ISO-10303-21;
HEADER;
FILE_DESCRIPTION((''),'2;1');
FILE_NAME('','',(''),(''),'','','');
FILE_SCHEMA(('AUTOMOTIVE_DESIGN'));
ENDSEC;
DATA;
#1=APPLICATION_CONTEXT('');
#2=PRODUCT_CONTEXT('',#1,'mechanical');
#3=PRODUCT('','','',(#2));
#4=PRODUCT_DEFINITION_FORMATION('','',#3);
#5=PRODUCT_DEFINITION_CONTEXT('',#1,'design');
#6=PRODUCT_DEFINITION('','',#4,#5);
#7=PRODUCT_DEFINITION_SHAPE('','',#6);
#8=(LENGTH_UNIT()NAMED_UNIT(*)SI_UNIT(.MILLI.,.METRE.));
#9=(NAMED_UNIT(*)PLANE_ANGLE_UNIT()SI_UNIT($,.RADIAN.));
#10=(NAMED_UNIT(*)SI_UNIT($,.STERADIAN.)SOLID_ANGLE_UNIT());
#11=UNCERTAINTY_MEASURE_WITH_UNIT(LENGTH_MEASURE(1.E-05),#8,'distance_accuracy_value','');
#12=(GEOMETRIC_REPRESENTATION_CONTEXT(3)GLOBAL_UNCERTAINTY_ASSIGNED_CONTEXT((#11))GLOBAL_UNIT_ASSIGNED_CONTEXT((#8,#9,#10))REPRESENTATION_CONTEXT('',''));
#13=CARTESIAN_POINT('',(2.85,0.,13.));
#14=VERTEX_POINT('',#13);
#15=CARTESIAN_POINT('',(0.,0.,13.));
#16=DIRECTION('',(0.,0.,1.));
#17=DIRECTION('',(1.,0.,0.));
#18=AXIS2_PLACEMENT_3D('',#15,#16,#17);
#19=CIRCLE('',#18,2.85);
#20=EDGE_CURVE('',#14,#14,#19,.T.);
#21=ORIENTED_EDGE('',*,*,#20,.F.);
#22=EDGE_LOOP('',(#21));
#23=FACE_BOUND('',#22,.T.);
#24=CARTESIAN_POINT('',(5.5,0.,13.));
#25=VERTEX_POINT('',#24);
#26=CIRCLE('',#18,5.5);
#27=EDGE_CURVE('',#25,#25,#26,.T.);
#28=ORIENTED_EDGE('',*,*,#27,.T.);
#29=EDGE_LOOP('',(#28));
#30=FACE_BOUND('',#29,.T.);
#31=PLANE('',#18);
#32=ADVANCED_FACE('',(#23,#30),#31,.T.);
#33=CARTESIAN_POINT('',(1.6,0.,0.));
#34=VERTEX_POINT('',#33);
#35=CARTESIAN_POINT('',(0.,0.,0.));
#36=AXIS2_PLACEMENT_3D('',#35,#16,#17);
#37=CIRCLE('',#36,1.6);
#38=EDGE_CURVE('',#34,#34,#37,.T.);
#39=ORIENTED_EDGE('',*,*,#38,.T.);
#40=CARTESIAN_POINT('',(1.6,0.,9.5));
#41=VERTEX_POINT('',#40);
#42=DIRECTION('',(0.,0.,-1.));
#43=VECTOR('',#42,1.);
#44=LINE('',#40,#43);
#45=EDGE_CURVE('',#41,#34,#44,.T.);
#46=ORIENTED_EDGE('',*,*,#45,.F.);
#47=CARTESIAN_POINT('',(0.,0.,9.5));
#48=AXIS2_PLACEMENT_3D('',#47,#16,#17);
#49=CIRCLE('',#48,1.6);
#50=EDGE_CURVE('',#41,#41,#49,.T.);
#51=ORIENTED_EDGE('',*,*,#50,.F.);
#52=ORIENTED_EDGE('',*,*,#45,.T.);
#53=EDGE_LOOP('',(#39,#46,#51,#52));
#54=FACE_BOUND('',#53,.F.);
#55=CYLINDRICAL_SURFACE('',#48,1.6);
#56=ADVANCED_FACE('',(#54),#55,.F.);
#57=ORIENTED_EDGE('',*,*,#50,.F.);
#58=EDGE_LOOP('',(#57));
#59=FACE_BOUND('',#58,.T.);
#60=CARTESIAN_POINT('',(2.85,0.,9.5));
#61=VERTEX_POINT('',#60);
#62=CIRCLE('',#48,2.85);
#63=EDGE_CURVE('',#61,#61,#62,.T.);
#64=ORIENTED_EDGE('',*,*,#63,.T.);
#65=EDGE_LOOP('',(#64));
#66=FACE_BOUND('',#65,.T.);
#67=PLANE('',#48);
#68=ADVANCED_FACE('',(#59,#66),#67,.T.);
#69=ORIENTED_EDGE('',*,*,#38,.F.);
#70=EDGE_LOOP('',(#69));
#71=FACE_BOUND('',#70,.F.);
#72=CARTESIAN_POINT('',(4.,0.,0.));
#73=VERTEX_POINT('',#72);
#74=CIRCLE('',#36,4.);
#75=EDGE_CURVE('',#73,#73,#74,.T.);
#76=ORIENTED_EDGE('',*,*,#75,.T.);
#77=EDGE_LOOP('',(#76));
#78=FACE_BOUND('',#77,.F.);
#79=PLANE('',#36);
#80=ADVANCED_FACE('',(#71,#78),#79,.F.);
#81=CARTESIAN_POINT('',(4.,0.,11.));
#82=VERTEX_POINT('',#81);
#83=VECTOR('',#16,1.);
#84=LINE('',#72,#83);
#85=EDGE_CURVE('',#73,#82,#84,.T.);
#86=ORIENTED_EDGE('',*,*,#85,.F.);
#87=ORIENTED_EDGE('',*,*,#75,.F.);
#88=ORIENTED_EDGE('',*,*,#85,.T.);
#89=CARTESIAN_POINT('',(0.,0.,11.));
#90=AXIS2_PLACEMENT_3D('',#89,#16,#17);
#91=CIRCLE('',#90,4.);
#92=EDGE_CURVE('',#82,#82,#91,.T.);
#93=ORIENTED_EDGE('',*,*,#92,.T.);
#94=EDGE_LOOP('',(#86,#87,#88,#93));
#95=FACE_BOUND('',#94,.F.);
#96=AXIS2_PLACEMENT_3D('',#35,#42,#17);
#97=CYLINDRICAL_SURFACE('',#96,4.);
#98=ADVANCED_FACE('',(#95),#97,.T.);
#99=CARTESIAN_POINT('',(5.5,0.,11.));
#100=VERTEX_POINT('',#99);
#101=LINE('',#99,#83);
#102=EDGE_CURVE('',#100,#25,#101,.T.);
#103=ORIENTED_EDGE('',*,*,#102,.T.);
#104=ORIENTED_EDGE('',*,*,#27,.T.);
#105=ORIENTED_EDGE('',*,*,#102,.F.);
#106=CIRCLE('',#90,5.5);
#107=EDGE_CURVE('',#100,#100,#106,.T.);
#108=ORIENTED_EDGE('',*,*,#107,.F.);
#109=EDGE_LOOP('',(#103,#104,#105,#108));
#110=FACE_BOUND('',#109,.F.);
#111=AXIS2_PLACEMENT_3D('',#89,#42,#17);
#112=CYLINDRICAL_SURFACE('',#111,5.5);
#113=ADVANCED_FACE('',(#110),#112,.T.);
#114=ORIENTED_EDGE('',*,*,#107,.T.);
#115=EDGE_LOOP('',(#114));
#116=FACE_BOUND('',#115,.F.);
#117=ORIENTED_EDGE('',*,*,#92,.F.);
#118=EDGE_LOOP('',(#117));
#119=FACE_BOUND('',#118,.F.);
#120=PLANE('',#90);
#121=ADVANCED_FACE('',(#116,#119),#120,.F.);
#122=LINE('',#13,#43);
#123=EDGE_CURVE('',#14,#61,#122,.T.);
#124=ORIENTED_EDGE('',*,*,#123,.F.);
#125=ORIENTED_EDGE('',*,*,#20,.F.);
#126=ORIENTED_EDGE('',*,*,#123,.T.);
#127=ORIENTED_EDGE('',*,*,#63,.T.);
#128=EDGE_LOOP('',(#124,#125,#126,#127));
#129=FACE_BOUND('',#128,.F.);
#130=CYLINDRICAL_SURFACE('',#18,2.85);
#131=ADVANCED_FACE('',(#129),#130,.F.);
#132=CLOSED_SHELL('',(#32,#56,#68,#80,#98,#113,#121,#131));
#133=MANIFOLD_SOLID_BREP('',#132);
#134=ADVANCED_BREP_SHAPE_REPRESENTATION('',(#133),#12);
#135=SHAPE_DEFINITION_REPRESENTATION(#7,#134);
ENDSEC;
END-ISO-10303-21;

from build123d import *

# Parameters (mm, degrees)
F0_R     = 4
F1_DEPTH = 11
F2_R     = 5.5
F2_R_2   = 4
F3_DEPTH = 2
F4_R     = 2.85
F5_DEPTH = 3.5
F6_R     = 1.6
F7_DEPTH = 25


with BuildPart() as f1:
    # F0 (on Top) → F1 (new body)
    with BuildSketch(Plane.XY):
        Circle(F0_R)
    extrude(amount=F1_DEPTH)

    # F2 (on face) → F3 (join)
    with BuildSketch(Plane.XY.offset(11)):
        Circle(F2_R)
        Circle(F2_R_2, mode=Mode.SUBTRACT)
        Circle(F2_R_2)
    extrude(amount=F3_DEPTH)

    # F4 (on face) → F5 (cut)
    with BuildSketch(Plane.XY.offset(13)):
        Circle(F4_R)
    extrude(amount=-F5_DEPTH, mode=Mode.SUBTRACT)

    # F6 (on face) → F7 (cut)
    with BuildSketch(Plane.XY.offset(9.5)):
        Circle(F6_R)
    extrude(amount=-F7_DEPTH, mode=Mode.SUBTRACT)


solid = f1.part
